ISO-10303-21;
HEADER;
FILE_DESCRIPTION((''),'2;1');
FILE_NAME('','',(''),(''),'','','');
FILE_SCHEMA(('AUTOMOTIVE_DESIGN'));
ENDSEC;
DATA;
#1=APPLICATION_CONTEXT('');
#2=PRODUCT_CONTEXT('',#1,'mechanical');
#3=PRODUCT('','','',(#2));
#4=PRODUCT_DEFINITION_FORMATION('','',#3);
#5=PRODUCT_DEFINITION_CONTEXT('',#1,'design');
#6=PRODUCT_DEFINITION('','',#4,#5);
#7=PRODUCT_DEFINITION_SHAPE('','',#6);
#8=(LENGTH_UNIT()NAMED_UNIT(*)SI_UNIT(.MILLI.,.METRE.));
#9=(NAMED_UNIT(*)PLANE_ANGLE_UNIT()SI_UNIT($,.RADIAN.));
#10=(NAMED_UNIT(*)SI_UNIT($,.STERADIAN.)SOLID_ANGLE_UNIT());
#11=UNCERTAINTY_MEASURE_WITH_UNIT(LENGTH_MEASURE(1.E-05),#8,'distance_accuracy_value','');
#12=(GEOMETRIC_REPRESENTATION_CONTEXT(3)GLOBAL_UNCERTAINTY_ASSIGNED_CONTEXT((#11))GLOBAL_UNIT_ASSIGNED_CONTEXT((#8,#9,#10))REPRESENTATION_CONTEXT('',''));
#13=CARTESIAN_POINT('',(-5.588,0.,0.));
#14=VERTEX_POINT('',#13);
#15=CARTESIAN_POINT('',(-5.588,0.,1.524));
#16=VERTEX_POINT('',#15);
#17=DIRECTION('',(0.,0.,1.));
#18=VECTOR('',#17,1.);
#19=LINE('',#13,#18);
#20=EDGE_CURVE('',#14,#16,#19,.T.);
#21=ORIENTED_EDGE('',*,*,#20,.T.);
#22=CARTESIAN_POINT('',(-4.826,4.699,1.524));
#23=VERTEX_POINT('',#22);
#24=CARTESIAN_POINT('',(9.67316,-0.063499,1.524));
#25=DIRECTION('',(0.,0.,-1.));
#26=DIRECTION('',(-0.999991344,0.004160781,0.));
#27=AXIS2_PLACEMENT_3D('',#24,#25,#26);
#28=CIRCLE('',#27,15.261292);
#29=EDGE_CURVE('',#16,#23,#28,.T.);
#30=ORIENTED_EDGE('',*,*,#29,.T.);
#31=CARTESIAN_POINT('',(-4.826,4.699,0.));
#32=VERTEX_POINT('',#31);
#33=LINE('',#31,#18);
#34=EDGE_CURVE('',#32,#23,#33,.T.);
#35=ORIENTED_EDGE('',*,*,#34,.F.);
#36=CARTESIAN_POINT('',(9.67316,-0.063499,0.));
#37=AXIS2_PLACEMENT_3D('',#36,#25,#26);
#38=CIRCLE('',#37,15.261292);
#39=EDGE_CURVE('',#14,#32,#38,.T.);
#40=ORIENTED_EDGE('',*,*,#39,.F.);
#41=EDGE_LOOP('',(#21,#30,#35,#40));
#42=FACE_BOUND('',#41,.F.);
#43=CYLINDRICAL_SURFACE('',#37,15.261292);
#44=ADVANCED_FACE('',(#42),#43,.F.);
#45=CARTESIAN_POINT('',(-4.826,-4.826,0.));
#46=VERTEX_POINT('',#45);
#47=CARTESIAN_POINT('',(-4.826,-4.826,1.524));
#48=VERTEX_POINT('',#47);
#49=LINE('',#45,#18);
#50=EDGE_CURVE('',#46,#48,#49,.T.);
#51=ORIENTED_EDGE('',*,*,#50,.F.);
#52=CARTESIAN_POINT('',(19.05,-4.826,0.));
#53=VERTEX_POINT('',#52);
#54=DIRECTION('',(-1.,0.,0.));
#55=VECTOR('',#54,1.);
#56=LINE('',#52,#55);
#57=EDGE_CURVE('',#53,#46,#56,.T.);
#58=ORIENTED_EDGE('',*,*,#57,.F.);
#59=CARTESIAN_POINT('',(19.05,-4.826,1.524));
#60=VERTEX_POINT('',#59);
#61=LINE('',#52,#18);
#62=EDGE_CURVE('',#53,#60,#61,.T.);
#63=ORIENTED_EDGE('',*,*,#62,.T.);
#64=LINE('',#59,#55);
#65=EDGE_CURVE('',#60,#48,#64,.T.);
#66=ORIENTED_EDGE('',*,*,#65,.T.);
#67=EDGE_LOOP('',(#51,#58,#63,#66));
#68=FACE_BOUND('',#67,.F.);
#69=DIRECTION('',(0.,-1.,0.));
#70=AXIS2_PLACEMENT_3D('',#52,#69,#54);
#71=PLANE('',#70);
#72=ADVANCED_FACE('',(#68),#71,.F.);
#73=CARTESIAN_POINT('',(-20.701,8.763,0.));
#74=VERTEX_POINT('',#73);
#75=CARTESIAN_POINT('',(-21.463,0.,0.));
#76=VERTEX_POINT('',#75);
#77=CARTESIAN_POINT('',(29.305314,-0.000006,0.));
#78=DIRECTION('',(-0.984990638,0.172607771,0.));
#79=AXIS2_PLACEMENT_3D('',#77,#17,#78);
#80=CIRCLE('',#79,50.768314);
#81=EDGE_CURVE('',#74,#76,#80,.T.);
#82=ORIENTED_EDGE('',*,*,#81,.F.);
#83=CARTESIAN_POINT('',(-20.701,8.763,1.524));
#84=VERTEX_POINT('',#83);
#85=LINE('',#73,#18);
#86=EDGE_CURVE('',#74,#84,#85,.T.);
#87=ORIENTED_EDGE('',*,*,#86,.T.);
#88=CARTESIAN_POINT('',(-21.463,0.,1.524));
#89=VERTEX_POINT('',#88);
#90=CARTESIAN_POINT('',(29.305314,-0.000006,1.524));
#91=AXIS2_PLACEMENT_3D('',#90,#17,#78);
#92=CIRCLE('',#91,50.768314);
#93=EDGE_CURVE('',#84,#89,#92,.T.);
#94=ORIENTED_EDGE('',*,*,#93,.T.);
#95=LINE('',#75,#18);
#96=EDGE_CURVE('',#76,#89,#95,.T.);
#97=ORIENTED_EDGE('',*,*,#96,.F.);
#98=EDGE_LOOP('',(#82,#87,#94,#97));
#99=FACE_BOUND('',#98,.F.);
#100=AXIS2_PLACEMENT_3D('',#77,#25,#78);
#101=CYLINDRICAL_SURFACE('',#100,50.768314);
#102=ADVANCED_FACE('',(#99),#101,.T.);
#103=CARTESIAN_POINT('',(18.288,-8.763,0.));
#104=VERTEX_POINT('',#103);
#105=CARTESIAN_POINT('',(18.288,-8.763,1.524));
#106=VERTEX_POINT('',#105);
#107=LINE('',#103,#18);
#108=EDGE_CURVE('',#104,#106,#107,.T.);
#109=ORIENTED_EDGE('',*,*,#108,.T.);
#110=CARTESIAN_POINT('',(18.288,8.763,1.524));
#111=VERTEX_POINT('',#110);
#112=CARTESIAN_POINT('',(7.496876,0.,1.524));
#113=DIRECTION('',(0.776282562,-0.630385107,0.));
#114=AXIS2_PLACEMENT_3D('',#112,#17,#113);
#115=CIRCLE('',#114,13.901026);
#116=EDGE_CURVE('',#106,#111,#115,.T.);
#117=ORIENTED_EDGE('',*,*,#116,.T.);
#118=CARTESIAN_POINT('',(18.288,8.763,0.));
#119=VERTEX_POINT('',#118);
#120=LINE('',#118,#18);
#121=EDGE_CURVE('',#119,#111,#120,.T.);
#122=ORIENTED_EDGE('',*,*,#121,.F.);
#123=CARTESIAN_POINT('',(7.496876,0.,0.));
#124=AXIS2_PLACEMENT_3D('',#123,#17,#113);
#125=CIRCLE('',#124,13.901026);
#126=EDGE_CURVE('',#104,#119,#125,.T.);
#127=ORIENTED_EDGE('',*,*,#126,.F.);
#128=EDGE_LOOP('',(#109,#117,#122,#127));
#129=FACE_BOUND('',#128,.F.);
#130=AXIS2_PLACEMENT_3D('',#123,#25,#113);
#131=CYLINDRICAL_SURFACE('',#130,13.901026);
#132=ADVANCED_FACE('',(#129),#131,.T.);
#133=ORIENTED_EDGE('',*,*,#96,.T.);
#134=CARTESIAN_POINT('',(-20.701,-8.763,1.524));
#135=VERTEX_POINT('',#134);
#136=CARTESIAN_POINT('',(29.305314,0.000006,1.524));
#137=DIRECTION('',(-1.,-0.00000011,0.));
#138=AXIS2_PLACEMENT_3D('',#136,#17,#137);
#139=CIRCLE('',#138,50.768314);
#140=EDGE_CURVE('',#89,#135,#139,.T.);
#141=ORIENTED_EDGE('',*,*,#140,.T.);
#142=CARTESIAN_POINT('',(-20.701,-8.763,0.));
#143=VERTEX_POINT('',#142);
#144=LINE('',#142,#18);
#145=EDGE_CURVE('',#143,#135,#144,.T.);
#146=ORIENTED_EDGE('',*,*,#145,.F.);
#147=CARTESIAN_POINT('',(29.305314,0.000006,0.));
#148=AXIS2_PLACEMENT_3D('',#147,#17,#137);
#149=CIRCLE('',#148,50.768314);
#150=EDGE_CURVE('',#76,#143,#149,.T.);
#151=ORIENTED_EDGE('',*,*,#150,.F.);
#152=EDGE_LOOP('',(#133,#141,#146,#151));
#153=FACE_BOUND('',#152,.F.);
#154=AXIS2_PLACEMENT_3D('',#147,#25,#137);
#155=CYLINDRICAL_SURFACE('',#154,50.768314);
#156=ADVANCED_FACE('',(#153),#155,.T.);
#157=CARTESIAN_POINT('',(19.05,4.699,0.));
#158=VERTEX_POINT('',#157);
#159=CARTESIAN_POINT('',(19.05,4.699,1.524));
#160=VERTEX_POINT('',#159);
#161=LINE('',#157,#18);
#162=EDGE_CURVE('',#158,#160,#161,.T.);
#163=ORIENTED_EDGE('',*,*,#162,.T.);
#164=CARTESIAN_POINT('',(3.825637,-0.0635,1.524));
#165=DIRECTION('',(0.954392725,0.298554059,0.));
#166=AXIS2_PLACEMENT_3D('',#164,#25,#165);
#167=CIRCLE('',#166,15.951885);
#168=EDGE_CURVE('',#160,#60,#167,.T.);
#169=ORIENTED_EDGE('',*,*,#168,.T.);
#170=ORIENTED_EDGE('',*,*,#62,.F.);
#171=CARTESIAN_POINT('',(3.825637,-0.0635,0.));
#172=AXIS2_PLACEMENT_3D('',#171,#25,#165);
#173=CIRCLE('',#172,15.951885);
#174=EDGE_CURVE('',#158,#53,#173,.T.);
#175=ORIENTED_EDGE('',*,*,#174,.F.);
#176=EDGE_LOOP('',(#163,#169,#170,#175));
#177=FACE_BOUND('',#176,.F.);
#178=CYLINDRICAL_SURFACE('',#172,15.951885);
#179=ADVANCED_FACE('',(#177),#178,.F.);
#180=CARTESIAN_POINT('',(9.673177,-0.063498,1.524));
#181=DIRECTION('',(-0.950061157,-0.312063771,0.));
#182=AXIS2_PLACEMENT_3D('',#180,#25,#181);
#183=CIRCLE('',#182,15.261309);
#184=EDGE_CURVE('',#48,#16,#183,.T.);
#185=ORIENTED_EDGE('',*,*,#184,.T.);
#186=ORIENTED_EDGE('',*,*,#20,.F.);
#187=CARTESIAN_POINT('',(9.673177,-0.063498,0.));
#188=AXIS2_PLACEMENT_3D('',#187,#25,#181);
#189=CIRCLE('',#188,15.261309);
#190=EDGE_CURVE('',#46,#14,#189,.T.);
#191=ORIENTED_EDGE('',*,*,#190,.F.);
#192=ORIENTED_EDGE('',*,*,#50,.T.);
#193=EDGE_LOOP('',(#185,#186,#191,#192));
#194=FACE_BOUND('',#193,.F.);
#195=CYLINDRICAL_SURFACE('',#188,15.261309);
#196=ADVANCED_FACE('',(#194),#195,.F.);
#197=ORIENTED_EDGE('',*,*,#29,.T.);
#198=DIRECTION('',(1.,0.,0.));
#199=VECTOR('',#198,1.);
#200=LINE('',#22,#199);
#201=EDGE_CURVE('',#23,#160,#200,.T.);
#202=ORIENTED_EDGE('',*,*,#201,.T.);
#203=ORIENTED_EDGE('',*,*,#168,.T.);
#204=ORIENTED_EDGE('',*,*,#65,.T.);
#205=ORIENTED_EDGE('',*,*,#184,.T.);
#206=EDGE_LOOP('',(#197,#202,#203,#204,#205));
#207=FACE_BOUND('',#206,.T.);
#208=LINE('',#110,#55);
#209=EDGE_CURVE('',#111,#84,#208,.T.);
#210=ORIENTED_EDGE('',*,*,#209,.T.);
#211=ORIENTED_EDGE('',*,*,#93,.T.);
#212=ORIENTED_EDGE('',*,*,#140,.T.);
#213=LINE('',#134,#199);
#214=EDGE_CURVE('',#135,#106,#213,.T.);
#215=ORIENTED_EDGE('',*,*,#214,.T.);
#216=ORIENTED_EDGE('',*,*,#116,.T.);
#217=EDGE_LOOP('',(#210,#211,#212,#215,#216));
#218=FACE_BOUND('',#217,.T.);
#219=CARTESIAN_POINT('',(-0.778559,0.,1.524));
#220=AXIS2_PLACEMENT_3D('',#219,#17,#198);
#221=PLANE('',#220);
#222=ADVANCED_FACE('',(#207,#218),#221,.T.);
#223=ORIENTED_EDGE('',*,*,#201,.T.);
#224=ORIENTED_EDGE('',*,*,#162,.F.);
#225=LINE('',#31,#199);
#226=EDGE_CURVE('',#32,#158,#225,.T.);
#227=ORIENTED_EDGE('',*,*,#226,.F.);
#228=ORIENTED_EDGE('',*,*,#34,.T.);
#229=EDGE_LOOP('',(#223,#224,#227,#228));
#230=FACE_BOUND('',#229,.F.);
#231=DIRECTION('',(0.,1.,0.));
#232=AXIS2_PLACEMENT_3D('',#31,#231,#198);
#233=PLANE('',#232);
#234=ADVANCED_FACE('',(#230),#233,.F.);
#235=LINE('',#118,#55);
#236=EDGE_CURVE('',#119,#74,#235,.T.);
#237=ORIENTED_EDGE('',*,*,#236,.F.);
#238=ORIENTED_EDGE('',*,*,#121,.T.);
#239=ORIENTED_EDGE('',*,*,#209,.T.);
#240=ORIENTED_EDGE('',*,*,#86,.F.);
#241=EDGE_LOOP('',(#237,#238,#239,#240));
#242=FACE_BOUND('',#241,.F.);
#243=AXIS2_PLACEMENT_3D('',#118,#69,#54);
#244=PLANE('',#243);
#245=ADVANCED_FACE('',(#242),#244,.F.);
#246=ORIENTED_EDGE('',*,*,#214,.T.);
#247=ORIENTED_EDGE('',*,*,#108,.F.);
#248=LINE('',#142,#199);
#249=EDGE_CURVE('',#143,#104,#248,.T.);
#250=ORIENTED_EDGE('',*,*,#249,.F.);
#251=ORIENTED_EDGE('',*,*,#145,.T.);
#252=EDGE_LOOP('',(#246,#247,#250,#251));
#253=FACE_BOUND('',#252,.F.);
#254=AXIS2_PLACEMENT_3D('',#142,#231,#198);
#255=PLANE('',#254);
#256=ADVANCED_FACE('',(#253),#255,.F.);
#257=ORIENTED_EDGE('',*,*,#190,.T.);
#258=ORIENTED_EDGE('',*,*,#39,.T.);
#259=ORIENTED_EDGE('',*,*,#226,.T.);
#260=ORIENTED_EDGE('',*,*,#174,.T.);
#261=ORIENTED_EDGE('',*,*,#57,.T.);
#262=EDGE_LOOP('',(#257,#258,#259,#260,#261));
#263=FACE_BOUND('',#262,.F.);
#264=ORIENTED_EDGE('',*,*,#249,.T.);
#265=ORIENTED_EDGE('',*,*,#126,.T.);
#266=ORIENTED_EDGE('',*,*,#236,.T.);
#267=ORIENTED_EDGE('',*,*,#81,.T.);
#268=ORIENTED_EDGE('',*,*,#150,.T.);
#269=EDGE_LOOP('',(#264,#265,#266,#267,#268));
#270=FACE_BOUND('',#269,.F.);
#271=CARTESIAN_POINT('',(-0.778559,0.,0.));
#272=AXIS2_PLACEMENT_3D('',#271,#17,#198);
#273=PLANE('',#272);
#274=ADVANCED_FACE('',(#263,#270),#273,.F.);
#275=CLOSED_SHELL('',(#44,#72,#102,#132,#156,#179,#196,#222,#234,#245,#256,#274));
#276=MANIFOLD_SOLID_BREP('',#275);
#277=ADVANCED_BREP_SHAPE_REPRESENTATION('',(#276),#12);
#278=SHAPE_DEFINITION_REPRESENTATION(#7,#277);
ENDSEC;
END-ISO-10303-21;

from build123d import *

# Parameters (mm, degrees)
F1_DEPTH = 1.524


with BuildPart() as f1:
    # F0 (on Top) → F1 (new body)
    with BuildSketch(Plane.XY):
        with BuildLine():
            ThreePointArc((18.288, -8.763), (21.397902, 0), (18.288, 8.763))
            Line((18.288, 8.763), (-20.701, 8.763))
            ThreePointArc((-20.701, 8.763), (-21.272141, 4.398034), (-21.463, 0))
            ThreePointArc((-21.463, 0), (-21.272141, -4.398034), (-20.701, -8.763))
            Line((-20.701, -8.763), (18.288, -8.763))
        make_face()
        with BuildLine():
            ThreePointArc((-4.826, -4.826), (-5.401379, -2.443691), (-5.588, 0))
            ThreePointArc((-5.588, 0), (-5.391345, 2.379394), (-4.826, 4.699))
            Line((-4.826, 4.699), (19.05, 4.699))
            ThreePointArc((19.05, 4.699), (19.777522, -0.0635), (19.05, -4.826))
            Line((19.05, -4.826), (-4.826, -4.826))
        make_face(mode=Mode.SUBTRACT)
    extrude(amount=F1_DEPTH)


solid = f1.part
